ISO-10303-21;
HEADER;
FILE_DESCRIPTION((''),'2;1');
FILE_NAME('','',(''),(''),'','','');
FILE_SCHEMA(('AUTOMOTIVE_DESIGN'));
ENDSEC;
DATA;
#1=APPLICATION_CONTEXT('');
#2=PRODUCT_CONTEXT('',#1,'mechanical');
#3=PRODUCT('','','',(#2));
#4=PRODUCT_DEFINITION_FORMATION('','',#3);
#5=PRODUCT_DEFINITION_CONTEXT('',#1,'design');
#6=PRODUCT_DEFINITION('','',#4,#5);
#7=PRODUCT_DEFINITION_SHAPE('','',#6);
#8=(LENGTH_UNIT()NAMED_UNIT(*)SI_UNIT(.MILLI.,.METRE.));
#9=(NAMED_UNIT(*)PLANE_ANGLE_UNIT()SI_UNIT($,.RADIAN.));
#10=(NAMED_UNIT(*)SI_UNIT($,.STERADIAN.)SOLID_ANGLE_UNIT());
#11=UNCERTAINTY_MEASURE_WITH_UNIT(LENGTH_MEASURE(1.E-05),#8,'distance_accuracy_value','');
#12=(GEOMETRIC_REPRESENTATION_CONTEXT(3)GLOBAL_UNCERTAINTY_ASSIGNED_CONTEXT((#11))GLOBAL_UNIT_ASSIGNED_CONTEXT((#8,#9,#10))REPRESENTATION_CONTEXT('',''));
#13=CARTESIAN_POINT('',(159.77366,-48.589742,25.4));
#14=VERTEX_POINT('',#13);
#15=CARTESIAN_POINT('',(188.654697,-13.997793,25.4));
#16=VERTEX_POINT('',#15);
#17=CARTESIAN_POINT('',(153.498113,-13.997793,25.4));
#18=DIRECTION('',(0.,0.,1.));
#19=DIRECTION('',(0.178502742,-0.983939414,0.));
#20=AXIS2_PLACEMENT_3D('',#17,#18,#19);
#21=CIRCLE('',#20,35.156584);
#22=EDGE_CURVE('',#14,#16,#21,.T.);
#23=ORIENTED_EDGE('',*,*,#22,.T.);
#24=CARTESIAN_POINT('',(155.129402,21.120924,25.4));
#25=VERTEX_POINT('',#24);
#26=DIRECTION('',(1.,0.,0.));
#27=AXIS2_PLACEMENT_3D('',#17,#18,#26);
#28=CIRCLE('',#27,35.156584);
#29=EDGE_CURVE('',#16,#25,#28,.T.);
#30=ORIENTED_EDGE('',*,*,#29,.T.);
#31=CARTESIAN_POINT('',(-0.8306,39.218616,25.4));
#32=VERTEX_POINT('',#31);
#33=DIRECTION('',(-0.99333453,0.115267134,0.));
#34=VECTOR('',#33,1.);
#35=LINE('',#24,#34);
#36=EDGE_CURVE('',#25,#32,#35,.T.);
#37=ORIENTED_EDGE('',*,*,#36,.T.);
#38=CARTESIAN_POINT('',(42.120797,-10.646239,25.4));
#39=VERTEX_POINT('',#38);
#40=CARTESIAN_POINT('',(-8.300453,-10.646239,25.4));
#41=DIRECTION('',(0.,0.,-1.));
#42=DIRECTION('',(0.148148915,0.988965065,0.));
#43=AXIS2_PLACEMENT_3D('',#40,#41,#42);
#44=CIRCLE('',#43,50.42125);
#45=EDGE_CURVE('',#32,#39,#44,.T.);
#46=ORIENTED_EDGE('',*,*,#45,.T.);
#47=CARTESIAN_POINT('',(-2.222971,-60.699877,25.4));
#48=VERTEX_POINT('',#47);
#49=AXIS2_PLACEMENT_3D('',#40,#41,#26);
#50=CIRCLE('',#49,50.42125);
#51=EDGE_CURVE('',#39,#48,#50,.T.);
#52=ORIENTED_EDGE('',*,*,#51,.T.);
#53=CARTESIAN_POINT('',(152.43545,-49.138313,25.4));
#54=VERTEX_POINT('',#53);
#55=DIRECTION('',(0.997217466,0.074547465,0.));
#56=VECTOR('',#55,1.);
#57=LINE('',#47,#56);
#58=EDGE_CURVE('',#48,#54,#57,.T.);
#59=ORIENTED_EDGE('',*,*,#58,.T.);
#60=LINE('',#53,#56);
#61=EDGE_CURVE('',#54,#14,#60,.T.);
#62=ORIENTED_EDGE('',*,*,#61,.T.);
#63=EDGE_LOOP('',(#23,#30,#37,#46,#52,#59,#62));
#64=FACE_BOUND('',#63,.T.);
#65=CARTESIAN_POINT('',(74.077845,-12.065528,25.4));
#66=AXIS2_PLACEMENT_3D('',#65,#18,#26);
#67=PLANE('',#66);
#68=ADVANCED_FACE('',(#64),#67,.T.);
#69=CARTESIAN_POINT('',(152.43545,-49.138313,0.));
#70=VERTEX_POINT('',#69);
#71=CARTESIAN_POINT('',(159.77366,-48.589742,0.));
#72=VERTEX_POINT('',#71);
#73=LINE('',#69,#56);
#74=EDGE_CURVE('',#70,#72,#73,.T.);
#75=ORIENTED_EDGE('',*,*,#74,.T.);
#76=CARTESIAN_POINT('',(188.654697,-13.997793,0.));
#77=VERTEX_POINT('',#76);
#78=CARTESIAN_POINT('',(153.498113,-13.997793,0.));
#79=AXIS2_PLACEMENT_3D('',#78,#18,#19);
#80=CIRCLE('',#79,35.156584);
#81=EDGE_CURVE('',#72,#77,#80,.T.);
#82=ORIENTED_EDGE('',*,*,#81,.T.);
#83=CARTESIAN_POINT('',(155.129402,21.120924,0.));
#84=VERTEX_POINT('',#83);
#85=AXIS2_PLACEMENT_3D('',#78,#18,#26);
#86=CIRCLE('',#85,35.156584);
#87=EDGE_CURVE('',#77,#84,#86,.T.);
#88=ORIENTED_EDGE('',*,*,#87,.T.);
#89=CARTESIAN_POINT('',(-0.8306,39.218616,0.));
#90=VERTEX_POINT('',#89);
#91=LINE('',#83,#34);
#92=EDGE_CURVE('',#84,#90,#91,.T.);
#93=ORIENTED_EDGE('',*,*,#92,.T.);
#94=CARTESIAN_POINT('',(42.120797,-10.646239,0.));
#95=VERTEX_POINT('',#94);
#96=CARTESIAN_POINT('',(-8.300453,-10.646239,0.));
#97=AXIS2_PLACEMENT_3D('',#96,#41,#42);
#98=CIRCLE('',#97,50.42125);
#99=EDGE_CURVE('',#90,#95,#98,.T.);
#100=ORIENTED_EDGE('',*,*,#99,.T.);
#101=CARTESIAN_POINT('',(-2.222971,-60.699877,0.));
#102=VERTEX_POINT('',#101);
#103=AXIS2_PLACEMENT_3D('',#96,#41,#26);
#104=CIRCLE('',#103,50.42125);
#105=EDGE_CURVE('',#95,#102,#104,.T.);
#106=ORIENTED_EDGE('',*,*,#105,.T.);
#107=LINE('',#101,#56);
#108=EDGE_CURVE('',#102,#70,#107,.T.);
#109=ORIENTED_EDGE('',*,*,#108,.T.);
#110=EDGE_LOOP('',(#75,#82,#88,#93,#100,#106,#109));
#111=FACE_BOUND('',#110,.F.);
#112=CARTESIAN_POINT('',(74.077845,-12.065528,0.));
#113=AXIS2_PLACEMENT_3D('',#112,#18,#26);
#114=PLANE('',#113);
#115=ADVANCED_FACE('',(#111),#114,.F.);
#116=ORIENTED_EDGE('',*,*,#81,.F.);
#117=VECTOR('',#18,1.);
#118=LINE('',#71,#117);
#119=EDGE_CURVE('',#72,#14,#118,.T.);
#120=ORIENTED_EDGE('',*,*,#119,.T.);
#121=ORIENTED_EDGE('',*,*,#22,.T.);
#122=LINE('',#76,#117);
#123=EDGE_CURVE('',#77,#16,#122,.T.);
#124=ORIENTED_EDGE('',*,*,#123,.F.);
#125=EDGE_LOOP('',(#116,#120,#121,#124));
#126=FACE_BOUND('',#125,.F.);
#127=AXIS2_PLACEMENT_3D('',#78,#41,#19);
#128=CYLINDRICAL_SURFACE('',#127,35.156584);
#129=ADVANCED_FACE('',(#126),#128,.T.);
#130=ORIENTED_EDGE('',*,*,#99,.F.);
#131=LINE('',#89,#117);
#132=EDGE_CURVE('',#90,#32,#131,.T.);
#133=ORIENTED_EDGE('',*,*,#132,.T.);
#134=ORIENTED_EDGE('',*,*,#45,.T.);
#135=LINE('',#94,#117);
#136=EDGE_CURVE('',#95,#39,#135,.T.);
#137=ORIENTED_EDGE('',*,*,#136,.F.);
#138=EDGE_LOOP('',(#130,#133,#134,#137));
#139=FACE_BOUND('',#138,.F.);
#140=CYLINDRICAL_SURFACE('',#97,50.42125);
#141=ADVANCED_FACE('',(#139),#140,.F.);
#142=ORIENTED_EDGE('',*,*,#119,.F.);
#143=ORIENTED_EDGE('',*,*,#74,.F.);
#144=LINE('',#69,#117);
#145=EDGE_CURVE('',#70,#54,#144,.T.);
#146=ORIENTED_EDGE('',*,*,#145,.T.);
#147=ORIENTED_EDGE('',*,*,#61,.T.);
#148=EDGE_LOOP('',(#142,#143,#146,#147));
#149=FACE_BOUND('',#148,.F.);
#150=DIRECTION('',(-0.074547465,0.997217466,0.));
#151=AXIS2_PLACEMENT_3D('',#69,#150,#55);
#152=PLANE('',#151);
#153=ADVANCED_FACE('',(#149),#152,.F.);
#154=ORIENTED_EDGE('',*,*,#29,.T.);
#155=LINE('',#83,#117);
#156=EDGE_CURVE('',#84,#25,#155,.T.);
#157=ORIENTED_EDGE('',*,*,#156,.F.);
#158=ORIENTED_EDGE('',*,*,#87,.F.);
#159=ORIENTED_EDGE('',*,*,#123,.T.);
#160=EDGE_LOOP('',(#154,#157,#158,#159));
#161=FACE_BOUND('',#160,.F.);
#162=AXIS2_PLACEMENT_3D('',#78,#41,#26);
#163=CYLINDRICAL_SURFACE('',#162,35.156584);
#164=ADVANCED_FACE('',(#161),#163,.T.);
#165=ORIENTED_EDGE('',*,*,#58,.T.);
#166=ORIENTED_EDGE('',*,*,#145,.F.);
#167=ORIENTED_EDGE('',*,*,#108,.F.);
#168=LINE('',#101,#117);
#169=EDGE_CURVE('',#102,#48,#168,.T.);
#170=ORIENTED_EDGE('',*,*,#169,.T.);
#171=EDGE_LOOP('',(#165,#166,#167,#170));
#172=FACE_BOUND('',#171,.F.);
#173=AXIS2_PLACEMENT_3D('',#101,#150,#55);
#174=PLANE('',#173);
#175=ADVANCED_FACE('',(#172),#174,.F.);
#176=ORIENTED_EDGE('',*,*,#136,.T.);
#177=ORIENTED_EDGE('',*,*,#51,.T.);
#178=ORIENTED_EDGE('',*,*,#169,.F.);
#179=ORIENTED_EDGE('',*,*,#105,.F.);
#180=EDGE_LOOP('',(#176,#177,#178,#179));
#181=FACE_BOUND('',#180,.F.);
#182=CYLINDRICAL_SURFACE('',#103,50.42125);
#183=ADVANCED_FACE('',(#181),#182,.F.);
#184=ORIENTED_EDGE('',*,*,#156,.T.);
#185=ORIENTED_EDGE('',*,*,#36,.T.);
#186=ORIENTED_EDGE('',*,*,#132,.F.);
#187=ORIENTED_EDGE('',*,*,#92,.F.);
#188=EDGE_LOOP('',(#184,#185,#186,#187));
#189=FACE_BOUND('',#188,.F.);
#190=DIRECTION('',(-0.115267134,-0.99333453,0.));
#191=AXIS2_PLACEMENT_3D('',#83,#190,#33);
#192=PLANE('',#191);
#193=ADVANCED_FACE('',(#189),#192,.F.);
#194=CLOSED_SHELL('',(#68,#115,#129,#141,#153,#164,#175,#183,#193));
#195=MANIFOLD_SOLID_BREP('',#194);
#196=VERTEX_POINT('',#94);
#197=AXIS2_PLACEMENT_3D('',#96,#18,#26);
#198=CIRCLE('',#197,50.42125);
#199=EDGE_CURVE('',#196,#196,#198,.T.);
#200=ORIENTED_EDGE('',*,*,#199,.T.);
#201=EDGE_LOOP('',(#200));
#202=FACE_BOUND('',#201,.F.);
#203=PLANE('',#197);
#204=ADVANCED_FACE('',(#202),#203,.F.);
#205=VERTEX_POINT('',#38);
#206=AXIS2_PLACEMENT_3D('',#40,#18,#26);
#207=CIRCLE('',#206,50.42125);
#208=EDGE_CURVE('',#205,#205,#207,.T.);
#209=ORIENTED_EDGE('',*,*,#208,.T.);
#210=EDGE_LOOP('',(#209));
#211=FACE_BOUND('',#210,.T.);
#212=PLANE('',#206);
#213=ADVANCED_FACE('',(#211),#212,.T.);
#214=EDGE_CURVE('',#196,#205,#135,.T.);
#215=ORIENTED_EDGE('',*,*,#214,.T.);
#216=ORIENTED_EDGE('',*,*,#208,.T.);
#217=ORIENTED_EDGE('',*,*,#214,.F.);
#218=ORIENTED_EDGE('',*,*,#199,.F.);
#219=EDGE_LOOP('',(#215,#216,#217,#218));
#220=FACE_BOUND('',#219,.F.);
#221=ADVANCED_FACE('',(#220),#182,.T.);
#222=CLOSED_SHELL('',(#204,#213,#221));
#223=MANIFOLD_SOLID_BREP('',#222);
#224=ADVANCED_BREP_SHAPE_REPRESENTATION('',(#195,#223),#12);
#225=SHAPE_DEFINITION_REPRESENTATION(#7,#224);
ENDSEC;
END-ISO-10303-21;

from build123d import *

# Parameters (mm, degrees)
F2_DEPTH = 25.4


with BuildPart() as f2:
    # F1 (on face) → F2 (new body)
    with BuildSketch(Plane.XY):
        with BuildLine():
            ThreePointArc((-0.8305999076, 39.2186160888), (-58.7168088374, -9.9436837338), (-2.2229706019, -60.6998769473))
            ThreePointArc((-2.2229706019, -60.6998769473), (29.4403518082, -44.0817604131), (42.120796827, -10.6462389231))
            ThreePointArc((42.120796827, -10.6462389231), (29.9025689064, 22.2601671661), (-0.8305999076, 39.2186160888))
        make_face()
    extrude(amount=F2_DEPTH)


with BuildPart() as f2b:
    # F0 (on Top) → F2, piece 2 (new body)
    with BuildSketch(Plane.XY):
        with BuildLine():
            ThreePointArc((-0.8305999076, 39.2186160888), (29.9025689064, 22.2601671661), (42.120796827, -10.6462389231))
            ThreePointArc((42.120796827, -10.6462389231), (29.4403518082, -44.0817604131), (-2.2229706019, -60.6998769473))
            Line((-2.2229706019, -60.6998769473), (152.4354503214, -49.1383132339))
            ThreePointArc((152.4354503214, -49.1383132339), (118.3673440556, -12.6507730888), (155.1294023125, 21.1209239828))
            Line((155.1294023125, 21.1209239828), (-0.8305999076, 39.2186160888))
        make_face()
        with BuildLine():
            ThreePointArc((188.6546971862, -13.9977931976), (178.9277804266, 10.2780677179), (155.1294023125, 21.1209239828))
            ThreePointArc((155.1294023125, 21.1209239828), (118.3673440556, -12.6507730888), (152.4354503214, -49.1383132339))
            Line((152.4354503214, -49.1383132339), (159.7736598102, -48.5897418982))
            ThreePointArc((159.7736598102, -48.5897418982), (180.4852599481, -36.5295332259), (188.6546971862, -13.9977931976))
        make_face()
    extrude(amount=F2_DEPTH)


solid = Compound([f2.part, f2b.part])
